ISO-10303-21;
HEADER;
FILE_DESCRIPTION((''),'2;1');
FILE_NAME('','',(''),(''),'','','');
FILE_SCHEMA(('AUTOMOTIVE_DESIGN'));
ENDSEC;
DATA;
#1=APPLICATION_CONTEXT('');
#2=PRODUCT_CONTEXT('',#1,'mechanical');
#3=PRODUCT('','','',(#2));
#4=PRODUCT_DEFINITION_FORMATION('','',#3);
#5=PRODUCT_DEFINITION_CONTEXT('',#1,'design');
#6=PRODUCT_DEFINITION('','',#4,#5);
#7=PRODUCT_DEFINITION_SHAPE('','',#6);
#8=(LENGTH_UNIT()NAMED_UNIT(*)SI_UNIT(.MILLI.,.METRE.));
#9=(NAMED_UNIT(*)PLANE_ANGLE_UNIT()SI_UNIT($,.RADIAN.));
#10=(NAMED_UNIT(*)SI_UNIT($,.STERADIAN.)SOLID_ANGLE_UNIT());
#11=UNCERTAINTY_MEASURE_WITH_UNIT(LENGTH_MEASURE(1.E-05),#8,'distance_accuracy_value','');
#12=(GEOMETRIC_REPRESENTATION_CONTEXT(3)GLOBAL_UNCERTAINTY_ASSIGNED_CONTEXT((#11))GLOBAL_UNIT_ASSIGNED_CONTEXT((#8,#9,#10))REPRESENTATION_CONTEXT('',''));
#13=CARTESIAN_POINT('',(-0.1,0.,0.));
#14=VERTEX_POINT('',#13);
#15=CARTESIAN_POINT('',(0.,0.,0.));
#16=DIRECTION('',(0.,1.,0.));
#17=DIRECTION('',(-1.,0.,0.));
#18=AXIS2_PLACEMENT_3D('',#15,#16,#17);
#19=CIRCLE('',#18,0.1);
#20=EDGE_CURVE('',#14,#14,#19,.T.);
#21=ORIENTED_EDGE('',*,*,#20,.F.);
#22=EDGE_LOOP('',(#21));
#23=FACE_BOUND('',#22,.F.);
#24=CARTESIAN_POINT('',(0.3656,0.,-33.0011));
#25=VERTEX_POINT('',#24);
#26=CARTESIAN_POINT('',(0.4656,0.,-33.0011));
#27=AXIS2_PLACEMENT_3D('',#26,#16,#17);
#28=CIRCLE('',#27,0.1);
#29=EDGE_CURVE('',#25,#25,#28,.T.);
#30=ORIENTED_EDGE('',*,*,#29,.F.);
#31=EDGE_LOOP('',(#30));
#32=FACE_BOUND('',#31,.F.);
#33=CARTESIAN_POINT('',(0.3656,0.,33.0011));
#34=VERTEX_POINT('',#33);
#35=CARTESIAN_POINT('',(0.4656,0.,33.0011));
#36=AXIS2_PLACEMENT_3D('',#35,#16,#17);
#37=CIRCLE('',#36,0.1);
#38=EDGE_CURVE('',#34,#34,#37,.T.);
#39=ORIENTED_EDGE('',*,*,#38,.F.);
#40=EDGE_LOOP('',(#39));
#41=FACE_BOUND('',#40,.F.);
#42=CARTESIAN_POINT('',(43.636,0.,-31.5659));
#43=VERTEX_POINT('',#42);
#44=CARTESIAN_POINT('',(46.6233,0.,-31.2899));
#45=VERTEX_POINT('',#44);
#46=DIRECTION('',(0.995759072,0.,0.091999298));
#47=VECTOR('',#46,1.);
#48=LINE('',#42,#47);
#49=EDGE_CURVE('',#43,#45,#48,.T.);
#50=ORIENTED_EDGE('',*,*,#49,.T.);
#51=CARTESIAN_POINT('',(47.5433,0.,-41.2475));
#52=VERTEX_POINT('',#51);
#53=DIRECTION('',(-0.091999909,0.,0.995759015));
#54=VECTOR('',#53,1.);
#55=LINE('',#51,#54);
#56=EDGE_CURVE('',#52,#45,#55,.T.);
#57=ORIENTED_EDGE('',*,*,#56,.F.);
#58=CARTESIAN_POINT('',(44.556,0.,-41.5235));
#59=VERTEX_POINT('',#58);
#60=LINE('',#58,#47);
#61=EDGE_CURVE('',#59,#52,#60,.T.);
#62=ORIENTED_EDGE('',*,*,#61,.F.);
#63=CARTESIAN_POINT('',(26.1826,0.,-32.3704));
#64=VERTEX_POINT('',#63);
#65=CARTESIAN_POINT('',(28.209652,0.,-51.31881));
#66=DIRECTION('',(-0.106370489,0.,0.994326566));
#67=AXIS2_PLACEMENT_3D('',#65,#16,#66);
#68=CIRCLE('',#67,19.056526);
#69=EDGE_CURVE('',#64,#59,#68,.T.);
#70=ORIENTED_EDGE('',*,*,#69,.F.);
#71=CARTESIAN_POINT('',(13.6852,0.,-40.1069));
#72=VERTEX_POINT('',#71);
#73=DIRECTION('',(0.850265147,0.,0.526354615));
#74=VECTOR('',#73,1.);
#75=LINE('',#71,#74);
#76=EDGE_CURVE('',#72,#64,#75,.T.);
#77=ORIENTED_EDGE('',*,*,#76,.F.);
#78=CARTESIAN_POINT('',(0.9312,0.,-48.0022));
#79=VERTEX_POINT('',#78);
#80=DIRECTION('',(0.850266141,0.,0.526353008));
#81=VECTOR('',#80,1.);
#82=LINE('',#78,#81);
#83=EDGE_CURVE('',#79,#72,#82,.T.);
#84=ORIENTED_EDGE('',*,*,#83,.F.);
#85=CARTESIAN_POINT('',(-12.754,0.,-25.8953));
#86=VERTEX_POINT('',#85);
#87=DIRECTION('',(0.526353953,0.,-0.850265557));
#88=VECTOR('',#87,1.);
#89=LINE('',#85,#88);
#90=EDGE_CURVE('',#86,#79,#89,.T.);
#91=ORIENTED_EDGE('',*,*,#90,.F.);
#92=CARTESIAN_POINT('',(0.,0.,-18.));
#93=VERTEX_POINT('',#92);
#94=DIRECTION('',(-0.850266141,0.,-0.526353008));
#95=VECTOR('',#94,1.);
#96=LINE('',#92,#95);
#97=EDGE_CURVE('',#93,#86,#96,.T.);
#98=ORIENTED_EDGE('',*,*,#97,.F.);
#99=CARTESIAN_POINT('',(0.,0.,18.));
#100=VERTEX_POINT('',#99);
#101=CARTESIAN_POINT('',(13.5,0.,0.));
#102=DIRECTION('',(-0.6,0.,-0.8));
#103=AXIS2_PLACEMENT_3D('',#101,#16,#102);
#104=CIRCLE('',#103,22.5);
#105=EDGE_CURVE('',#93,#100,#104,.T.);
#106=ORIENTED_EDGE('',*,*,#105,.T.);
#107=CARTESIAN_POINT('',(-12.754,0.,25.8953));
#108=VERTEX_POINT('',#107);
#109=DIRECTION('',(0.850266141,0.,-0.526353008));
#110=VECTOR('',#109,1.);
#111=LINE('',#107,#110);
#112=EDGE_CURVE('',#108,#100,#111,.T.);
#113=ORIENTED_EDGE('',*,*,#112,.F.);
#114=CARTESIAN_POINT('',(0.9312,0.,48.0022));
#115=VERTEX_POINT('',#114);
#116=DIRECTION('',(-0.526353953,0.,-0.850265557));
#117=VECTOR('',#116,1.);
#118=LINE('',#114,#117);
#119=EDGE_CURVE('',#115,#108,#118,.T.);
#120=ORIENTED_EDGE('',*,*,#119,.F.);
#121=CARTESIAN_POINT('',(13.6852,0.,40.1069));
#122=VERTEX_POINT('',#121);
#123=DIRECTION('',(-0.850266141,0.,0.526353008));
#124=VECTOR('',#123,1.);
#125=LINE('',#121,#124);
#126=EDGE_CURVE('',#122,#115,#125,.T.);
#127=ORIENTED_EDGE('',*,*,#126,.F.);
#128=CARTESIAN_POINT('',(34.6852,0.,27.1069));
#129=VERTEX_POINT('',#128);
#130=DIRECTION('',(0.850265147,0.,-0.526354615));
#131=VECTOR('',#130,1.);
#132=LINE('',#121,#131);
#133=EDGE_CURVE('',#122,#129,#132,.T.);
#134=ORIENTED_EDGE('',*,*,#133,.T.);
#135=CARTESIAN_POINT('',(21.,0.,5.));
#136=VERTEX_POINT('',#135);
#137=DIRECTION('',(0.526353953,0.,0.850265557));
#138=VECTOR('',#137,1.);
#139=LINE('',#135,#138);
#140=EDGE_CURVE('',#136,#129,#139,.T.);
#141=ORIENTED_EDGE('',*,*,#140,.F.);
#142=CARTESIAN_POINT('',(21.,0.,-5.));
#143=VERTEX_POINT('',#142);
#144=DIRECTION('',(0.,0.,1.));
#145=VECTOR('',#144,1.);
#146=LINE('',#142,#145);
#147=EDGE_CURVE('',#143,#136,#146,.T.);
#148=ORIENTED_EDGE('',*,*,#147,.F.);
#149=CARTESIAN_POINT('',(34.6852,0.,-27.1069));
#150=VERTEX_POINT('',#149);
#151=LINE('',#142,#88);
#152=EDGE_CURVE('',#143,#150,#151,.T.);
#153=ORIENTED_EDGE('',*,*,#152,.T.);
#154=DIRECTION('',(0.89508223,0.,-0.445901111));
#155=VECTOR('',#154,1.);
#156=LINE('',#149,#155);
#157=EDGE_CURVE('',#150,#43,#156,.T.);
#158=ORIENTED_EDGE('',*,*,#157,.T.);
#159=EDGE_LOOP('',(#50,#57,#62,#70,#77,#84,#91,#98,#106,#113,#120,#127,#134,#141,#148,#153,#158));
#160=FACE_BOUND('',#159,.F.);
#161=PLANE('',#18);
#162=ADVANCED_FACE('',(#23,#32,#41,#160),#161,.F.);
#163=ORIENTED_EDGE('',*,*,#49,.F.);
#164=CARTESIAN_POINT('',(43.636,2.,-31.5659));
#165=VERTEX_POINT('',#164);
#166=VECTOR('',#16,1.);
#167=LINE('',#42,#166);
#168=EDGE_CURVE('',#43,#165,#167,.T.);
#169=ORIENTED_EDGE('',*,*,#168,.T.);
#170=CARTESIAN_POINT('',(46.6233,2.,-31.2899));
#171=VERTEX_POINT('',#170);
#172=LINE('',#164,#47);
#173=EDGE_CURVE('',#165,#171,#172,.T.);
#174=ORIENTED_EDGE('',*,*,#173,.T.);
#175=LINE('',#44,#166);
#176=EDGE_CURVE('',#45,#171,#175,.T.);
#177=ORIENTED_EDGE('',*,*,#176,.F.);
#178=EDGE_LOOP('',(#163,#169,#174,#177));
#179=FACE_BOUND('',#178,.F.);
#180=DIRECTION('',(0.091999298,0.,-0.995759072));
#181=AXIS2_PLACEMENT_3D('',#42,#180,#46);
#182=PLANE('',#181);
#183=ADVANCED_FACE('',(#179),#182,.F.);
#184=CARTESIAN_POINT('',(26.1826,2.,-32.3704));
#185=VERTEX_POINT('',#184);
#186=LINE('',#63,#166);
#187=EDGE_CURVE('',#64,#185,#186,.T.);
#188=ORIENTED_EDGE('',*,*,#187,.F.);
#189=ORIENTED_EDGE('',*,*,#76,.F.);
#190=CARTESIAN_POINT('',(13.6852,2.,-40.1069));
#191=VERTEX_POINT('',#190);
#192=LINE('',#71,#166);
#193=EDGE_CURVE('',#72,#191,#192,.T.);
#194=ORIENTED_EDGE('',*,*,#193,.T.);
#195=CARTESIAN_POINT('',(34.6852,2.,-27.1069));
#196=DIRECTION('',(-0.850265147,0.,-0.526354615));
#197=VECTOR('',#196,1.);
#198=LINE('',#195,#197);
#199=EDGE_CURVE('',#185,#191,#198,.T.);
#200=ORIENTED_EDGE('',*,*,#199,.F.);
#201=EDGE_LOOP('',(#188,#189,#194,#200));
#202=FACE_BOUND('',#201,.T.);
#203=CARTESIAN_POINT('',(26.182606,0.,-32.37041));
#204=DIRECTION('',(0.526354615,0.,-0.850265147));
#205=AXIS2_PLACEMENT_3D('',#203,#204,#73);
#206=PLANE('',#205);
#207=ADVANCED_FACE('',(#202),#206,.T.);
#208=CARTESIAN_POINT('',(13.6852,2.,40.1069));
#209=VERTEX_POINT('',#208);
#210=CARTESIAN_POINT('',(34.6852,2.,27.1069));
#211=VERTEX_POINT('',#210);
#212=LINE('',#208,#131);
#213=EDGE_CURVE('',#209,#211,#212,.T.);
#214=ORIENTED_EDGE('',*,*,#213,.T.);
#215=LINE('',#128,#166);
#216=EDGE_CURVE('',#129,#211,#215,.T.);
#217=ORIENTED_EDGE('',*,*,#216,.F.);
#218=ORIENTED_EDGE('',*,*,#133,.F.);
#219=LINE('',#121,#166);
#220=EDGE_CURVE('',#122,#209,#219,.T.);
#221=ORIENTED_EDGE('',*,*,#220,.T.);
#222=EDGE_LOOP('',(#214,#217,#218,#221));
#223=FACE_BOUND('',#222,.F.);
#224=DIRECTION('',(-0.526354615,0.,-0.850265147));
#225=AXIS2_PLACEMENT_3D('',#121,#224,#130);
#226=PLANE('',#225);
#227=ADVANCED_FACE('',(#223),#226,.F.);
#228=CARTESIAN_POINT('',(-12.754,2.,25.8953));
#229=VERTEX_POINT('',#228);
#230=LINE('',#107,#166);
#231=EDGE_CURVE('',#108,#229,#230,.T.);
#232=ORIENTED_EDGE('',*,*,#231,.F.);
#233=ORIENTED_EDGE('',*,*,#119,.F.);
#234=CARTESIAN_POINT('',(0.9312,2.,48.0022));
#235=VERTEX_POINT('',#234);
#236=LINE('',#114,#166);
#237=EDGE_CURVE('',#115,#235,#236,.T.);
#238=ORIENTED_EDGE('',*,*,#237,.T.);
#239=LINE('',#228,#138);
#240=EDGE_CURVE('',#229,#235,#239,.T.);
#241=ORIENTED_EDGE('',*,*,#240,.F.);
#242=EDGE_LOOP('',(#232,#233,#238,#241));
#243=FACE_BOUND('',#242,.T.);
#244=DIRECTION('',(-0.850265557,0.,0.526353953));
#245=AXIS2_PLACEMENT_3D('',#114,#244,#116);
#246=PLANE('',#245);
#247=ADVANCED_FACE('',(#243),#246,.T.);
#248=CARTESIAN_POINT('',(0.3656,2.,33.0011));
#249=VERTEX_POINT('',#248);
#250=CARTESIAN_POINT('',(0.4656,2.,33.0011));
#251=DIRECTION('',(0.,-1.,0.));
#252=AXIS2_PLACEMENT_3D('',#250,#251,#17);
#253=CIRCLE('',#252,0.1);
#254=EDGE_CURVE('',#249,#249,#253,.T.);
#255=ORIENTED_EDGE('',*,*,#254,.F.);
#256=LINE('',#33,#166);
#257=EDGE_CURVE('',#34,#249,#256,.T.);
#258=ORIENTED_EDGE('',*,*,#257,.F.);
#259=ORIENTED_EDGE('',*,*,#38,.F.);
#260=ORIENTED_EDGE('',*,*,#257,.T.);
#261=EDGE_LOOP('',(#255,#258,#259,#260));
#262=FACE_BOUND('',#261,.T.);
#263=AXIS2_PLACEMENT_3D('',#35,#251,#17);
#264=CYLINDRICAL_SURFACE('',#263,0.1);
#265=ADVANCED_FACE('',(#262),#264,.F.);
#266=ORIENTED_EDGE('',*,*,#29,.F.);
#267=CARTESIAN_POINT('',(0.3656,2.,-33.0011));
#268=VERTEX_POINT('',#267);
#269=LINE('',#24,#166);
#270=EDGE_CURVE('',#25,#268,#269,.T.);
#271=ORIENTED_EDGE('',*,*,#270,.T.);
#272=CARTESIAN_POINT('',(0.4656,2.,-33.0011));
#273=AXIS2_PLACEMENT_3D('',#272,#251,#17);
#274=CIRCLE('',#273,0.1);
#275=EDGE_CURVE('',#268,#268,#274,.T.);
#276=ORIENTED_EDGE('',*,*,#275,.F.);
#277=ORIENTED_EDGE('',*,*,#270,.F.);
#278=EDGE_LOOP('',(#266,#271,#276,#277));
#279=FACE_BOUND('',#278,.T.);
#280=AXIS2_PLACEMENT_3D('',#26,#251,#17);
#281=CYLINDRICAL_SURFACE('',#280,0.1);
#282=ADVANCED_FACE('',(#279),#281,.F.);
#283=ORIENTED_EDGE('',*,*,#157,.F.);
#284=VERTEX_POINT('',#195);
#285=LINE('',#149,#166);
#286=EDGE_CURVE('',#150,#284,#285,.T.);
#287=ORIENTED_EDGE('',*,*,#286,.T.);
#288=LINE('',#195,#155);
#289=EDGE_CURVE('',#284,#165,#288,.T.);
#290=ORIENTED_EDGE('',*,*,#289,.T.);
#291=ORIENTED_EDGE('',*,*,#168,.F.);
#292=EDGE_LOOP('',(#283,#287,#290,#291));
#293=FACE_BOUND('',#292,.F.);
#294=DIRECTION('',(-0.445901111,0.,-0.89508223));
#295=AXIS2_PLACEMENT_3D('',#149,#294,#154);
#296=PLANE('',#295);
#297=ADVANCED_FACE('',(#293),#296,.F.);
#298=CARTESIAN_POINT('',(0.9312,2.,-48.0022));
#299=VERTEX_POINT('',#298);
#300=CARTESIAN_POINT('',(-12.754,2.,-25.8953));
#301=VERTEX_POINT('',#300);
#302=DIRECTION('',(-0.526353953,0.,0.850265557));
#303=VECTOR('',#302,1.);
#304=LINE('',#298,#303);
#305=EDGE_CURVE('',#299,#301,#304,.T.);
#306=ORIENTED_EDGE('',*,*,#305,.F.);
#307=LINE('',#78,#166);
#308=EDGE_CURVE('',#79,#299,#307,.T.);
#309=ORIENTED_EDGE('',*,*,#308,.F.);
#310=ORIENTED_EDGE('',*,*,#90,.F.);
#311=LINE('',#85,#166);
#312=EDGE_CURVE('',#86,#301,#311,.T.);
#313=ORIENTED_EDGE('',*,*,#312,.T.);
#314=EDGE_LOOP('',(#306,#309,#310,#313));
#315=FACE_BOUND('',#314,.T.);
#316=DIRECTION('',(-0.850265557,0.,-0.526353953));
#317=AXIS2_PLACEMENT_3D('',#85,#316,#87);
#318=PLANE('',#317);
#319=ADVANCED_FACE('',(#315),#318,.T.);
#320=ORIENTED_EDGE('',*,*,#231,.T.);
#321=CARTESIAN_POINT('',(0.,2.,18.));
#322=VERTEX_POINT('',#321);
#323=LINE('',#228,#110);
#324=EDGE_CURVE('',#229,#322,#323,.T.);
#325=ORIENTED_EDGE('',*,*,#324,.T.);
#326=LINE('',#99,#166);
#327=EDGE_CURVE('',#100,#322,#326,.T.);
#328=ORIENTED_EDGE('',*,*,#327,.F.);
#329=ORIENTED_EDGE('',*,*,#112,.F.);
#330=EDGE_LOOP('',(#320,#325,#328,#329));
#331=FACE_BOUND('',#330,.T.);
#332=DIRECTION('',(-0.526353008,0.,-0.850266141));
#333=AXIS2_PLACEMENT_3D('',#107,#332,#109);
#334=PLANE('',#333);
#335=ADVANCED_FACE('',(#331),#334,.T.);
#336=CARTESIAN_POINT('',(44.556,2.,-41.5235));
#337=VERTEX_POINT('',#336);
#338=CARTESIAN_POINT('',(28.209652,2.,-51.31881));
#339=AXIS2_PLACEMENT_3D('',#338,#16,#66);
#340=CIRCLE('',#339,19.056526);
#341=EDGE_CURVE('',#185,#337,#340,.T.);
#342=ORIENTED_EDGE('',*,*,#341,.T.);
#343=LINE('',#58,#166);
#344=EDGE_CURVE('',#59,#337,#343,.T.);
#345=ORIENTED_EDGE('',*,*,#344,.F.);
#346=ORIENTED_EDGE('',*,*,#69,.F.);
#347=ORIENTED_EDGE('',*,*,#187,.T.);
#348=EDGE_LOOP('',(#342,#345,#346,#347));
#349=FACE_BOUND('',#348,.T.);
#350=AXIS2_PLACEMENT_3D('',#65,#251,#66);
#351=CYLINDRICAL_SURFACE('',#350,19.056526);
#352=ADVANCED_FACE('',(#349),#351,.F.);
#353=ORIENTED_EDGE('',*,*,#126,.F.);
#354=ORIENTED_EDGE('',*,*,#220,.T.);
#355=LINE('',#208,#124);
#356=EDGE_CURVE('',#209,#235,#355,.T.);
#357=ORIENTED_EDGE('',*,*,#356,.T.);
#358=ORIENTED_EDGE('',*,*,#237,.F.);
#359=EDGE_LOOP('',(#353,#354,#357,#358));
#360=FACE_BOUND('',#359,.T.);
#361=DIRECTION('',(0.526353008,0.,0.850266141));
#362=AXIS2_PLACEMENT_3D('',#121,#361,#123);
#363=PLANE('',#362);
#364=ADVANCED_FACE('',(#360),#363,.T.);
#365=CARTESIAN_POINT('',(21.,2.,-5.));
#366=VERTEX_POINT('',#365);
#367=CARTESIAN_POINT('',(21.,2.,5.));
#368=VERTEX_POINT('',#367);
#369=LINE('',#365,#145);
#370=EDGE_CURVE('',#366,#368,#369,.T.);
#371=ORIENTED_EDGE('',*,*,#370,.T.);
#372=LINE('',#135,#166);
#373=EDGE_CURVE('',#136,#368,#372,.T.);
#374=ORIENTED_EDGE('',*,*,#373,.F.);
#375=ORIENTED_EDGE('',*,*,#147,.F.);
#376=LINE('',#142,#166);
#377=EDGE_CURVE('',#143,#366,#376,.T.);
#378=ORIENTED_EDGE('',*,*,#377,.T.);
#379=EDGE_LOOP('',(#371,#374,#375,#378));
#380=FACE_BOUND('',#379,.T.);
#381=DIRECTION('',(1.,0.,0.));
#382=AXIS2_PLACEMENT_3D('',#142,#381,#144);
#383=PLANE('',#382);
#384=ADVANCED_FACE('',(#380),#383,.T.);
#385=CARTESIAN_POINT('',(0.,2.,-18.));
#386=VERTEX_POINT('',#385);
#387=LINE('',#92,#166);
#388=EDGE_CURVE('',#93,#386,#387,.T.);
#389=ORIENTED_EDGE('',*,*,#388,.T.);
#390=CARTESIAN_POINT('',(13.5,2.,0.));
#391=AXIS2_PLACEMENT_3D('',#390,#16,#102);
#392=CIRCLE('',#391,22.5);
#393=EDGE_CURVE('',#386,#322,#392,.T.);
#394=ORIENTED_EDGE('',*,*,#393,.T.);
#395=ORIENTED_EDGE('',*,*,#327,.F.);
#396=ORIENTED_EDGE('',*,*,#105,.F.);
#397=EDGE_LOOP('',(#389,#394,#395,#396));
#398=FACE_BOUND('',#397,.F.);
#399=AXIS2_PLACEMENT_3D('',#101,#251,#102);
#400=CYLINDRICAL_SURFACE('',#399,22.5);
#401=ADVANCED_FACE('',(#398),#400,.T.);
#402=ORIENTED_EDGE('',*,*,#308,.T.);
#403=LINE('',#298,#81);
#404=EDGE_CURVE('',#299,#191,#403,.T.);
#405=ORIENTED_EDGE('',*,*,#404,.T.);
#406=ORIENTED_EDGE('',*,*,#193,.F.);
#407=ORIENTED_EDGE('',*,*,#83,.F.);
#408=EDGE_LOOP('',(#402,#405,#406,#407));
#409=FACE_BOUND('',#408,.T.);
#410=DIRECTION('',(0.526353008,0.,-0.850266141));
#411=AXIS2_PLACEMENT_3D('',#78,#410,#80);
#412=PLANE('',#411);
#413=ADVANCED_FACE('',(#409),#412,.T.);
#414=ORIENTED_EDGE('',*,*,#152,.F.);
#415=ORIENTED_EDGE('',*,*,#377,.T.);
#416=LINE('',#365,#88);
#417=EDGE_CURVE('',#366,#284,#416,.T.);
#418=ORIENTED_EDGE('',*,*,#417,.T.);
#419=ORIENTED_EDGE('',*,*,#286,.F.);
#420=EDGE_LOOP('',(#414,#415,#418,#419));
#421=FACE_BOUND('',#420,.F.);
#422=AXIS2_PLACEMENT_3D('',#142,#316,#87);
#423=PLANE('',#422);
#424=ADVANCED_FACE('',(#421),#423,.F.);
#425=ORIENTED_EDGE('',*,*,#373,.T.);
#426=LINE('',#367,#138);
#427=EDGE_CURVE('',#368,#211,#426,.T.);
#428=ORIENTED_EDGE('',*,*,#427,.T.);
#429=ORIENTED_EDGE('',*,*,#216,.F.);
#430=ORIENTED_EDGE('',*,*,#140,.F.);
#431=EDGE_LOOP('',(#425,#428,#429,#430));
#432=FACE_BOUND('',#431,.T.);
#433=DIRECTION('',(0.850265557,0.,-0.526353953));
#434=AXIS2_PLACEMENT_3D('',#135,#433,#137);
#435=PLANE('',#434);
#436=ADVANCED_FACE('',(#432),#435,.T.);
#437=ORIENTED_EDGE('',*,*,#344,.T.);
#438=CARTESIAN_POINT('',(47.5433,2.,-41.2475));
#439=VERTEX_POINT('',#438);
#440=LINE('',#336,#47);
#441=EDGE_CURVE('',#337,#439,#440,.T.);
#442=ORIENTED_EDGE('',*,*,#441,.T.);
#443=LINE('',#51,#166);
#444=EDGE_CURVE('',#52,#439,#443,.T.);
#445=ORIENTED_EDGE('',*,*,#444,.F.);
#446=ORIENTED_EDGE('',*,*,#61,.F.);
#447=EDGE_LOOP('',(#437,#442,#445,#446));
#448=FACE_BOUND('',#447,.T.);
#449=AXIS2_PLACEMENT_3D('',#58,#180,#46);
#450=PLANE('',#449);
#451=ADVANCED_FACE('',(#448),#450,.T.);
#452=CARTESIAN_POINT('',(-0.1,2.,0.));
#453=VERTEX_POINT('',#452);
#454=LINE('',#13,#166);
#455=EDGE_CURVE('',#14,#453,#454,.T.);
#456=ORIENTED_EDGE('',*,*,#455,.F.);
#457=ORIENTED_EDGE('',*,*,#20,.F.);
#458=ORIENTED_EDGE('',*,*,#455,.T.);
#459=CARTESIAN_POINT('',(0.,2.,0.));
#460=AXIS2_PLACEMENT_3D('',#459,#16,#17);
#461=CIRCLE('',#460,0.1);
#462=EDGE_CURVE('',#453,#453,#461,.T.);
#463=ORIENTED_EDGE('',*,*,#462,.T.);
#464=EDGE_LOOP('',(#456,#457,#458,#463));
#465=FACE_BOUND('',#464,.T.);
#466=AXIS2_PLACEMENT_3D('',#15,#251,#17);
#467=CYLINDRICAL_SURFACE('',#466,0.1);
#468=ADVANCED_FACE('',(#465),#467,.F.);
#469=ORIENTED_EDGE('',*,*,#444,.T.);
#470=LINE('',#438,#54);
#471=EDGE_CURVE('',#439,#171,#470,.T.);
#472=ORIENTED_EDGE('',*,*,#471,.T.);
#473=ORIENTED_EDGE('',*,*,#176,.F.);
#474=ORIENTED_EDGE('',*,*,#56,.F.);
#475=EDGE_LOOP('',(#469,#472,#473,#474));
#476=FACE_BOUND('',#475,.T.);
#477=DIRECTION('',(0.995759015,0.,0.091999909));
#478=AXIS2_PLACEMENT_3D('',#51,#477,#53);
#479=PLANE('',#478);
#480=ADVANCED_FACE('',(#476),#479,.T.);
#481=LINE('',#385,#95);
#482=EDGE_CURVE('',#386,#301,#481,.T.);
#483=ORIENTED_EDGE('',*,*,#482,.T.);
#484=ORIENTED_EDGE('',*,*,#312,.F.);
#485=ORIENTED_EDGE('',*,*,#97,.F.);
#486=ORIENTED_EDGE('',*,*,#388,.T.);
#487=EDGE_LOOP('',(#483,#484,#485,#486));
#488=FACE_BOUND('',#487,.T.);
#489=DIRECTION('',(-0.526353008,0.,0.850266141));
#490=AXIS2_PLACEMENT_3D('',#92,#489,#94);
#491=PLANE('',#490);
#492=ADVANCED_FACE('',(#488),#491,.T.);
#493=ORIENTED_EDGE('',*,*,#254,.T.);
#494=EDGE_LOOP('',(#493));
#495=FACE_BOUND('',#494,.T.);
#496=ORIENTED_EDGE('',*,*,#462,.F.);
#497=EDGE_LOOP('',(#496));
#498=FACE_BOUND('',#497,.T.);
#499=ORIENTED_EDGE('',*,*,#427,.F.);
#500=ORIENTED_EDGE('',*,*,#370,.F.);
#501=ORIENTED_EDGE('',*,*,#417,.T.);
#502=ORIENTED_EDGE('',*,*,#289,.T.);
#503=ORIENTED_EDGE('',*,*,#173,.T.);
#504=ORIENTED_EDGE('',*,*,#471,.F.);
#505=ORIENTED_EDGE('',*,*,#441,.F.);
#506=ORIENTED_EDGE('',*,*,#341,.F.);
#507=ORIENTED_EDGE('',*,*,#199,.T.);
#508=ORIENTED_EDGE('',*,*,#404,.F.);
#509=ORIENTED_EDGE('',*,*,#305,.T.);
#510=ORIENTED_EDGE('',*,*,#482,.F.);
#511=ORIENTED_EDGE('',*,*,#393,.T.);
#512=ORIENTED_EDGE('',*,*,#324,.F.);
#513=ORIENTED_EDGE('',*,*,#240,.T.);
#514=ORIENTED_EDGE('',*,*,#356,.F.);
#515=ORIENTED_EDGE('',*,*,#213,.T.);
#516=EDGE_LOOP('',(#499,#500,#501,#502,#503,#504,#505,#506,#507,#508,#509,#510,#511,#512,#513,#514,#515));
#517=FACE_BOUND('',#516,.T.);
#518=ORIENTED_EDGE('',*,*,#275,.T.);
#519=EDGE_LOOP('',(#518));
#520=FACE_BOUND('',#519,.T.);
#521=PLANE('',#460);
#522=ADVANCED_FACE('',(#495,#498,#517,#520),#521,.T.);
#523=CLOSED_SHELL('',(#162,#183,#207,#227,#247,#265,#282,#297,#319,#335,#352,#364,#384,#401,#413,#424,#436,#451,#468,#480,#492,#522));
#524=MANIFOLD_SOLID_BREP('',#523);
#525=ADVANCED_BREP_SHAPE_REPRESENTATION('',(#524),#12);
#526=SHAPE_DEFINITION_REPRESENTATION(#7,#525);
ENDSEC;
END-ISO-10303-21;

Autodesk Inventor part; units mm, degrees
ref_plane "YZ Plane" through (0, 0, 0) normal (1, 0, 0) x (0, 1, 0)
ref_plane "XZ Plane" through (0, 0, 0) normal (0, 1, 0) x (-1, 0, 0)
ref_plane "XY Plane" through (0, 0, 0) normal (0, 0, 1) x (1, 0, 0)
sketch "Sketch1" plane through (0, 0, 0) normal (0, 1, 0) x (-1, 0, 0)
  line L0 (-21, -5) -> (-21, 5)
  line L1 (0, -18) -> (-21, -5)
  line L2 (0, 18) -> (-21, 5)
  line L3 (-21, -5) -> (-34.6852, -27.1069)
  line L4 (0, -18) -> (-13.6852, -40.1069)
  line L5 (-13.6852, -40.1069) -> (-34.6852, -27.1069)
  line L6 (-21, 5) -> (-34.6852, 27.1069)
  line L7 (0, 18) -> (-13.6852, 40.1069)
  line L8 (-13.6852, 40.1069) -> (-34.6852, 27.1069)
  arc A0 (0, -18) -> (0, 18) centre (-13.5, 0) ccw
  circle A1 centre (0, 0) radius 0.1
  line L9 (-13.6852, -40.1069) -> (0, -18)
  line L10 (0, -18) -> (12.754, -25.8953)
  line L11 (12.754, -25.8953) -> (-0.9312, -48.0022)
  line L12 (-0.9312, -48.0022) -> (-13.6852, -40.1069)
  line L13 (0, 18) -> (-13.6852, 40.1069)
  line L14 (-13.6852, 40.1069) -> (-0.9312, 48.0022)
  line L15 (-0.9312, 48.0022) -> (12.754, 25.8953)
  line L16 (12.754, 25.8953) -> (0, 18)
  line L17 (-34.6852, -27.1069) -> (-43.636, -31.5659)
  line L18 (-44.556, -41.5235) -> (-43.636, -31.5659)
  arc A2 (-26.1826, -32.3704) -> (-44.556, -41.5235) centre (-28.2096, -51.3191) ccw
  line L19 (-26.1826, -32.3704) -> (-34.6852, -27.1069)
  line L20 (-34.6852, -27.1069) -> (-43.636, -31.5659)
  line L21 (-43.636, -31.5659) -> (-44.556, -41.5235)
  arc A3 (-26.1826, -32.3704) -> (-44.556, -41.5235) centre (-28.2096, -51.3191) ccw
  line L22 (-43.636, -31.5659) -> (-46.6233, -31.2899)
  line L23 (-44.556, -41.5235) -> (-47.5433, -41.2475)
  line L24 (-47.5433, -41.2475) -> (-46.6233, -31.2899)
  line L25 (5.9114, -36.9488) -> (-6.8426, -29.0534)
  line L26 (5.9114, 36.9488) -> (-6.8426, 29.0534)
  circle A4 centre (-0.4656, -33.0011) radius 0.1
  circle A5 centre (-0.4656, 33.0011) radius 0.1
  point P0 (-21, 0)
  point P1 (-39.1606, -29.3364)
  dimension "d5" = 10
  dimension "d6" = 26
  dimension "d7" = 26
  dimension "d8" = 26
  dimension "d9" = 26
  dimension "d10" = 36
  dimension "d12" = 0.2
  dimension "d13" = 15
  dimension "d14" = 15
  dimension "d22" = 3
  dimension "d25" = 0.2
  dimension "d26" = 0.2
extrude "Extrusion1" add sketch "Sketch1" along normal blind 2 contours L0 L2 A0 L1 | L1 L4 L5 L3 | L6 L8 L7 L2 | L10 L11 L25 A4 L4 | L7 L26 A5 L15 L16 | L25 A4 L11 L12 L4 | L7 L14 L15 L26 A5 | A4 L25 | L25 A4 | A5 L26 | L26 A5
extrude "Extrusion2" add sketch "Sketch1" along normal blind 2 contours L5 A2 L18 L17
extrude "Extrusion3" add sketch "Sketch1" along normal blind 2 contours L18 L23 L24 L22
extrude "Extrusion4" cut sketch "Sketch1" along normal blind 2 contours A4 L25 | L25 A4 | A5 L26 | L26 A5
properties part number "drzak_buzirka"
